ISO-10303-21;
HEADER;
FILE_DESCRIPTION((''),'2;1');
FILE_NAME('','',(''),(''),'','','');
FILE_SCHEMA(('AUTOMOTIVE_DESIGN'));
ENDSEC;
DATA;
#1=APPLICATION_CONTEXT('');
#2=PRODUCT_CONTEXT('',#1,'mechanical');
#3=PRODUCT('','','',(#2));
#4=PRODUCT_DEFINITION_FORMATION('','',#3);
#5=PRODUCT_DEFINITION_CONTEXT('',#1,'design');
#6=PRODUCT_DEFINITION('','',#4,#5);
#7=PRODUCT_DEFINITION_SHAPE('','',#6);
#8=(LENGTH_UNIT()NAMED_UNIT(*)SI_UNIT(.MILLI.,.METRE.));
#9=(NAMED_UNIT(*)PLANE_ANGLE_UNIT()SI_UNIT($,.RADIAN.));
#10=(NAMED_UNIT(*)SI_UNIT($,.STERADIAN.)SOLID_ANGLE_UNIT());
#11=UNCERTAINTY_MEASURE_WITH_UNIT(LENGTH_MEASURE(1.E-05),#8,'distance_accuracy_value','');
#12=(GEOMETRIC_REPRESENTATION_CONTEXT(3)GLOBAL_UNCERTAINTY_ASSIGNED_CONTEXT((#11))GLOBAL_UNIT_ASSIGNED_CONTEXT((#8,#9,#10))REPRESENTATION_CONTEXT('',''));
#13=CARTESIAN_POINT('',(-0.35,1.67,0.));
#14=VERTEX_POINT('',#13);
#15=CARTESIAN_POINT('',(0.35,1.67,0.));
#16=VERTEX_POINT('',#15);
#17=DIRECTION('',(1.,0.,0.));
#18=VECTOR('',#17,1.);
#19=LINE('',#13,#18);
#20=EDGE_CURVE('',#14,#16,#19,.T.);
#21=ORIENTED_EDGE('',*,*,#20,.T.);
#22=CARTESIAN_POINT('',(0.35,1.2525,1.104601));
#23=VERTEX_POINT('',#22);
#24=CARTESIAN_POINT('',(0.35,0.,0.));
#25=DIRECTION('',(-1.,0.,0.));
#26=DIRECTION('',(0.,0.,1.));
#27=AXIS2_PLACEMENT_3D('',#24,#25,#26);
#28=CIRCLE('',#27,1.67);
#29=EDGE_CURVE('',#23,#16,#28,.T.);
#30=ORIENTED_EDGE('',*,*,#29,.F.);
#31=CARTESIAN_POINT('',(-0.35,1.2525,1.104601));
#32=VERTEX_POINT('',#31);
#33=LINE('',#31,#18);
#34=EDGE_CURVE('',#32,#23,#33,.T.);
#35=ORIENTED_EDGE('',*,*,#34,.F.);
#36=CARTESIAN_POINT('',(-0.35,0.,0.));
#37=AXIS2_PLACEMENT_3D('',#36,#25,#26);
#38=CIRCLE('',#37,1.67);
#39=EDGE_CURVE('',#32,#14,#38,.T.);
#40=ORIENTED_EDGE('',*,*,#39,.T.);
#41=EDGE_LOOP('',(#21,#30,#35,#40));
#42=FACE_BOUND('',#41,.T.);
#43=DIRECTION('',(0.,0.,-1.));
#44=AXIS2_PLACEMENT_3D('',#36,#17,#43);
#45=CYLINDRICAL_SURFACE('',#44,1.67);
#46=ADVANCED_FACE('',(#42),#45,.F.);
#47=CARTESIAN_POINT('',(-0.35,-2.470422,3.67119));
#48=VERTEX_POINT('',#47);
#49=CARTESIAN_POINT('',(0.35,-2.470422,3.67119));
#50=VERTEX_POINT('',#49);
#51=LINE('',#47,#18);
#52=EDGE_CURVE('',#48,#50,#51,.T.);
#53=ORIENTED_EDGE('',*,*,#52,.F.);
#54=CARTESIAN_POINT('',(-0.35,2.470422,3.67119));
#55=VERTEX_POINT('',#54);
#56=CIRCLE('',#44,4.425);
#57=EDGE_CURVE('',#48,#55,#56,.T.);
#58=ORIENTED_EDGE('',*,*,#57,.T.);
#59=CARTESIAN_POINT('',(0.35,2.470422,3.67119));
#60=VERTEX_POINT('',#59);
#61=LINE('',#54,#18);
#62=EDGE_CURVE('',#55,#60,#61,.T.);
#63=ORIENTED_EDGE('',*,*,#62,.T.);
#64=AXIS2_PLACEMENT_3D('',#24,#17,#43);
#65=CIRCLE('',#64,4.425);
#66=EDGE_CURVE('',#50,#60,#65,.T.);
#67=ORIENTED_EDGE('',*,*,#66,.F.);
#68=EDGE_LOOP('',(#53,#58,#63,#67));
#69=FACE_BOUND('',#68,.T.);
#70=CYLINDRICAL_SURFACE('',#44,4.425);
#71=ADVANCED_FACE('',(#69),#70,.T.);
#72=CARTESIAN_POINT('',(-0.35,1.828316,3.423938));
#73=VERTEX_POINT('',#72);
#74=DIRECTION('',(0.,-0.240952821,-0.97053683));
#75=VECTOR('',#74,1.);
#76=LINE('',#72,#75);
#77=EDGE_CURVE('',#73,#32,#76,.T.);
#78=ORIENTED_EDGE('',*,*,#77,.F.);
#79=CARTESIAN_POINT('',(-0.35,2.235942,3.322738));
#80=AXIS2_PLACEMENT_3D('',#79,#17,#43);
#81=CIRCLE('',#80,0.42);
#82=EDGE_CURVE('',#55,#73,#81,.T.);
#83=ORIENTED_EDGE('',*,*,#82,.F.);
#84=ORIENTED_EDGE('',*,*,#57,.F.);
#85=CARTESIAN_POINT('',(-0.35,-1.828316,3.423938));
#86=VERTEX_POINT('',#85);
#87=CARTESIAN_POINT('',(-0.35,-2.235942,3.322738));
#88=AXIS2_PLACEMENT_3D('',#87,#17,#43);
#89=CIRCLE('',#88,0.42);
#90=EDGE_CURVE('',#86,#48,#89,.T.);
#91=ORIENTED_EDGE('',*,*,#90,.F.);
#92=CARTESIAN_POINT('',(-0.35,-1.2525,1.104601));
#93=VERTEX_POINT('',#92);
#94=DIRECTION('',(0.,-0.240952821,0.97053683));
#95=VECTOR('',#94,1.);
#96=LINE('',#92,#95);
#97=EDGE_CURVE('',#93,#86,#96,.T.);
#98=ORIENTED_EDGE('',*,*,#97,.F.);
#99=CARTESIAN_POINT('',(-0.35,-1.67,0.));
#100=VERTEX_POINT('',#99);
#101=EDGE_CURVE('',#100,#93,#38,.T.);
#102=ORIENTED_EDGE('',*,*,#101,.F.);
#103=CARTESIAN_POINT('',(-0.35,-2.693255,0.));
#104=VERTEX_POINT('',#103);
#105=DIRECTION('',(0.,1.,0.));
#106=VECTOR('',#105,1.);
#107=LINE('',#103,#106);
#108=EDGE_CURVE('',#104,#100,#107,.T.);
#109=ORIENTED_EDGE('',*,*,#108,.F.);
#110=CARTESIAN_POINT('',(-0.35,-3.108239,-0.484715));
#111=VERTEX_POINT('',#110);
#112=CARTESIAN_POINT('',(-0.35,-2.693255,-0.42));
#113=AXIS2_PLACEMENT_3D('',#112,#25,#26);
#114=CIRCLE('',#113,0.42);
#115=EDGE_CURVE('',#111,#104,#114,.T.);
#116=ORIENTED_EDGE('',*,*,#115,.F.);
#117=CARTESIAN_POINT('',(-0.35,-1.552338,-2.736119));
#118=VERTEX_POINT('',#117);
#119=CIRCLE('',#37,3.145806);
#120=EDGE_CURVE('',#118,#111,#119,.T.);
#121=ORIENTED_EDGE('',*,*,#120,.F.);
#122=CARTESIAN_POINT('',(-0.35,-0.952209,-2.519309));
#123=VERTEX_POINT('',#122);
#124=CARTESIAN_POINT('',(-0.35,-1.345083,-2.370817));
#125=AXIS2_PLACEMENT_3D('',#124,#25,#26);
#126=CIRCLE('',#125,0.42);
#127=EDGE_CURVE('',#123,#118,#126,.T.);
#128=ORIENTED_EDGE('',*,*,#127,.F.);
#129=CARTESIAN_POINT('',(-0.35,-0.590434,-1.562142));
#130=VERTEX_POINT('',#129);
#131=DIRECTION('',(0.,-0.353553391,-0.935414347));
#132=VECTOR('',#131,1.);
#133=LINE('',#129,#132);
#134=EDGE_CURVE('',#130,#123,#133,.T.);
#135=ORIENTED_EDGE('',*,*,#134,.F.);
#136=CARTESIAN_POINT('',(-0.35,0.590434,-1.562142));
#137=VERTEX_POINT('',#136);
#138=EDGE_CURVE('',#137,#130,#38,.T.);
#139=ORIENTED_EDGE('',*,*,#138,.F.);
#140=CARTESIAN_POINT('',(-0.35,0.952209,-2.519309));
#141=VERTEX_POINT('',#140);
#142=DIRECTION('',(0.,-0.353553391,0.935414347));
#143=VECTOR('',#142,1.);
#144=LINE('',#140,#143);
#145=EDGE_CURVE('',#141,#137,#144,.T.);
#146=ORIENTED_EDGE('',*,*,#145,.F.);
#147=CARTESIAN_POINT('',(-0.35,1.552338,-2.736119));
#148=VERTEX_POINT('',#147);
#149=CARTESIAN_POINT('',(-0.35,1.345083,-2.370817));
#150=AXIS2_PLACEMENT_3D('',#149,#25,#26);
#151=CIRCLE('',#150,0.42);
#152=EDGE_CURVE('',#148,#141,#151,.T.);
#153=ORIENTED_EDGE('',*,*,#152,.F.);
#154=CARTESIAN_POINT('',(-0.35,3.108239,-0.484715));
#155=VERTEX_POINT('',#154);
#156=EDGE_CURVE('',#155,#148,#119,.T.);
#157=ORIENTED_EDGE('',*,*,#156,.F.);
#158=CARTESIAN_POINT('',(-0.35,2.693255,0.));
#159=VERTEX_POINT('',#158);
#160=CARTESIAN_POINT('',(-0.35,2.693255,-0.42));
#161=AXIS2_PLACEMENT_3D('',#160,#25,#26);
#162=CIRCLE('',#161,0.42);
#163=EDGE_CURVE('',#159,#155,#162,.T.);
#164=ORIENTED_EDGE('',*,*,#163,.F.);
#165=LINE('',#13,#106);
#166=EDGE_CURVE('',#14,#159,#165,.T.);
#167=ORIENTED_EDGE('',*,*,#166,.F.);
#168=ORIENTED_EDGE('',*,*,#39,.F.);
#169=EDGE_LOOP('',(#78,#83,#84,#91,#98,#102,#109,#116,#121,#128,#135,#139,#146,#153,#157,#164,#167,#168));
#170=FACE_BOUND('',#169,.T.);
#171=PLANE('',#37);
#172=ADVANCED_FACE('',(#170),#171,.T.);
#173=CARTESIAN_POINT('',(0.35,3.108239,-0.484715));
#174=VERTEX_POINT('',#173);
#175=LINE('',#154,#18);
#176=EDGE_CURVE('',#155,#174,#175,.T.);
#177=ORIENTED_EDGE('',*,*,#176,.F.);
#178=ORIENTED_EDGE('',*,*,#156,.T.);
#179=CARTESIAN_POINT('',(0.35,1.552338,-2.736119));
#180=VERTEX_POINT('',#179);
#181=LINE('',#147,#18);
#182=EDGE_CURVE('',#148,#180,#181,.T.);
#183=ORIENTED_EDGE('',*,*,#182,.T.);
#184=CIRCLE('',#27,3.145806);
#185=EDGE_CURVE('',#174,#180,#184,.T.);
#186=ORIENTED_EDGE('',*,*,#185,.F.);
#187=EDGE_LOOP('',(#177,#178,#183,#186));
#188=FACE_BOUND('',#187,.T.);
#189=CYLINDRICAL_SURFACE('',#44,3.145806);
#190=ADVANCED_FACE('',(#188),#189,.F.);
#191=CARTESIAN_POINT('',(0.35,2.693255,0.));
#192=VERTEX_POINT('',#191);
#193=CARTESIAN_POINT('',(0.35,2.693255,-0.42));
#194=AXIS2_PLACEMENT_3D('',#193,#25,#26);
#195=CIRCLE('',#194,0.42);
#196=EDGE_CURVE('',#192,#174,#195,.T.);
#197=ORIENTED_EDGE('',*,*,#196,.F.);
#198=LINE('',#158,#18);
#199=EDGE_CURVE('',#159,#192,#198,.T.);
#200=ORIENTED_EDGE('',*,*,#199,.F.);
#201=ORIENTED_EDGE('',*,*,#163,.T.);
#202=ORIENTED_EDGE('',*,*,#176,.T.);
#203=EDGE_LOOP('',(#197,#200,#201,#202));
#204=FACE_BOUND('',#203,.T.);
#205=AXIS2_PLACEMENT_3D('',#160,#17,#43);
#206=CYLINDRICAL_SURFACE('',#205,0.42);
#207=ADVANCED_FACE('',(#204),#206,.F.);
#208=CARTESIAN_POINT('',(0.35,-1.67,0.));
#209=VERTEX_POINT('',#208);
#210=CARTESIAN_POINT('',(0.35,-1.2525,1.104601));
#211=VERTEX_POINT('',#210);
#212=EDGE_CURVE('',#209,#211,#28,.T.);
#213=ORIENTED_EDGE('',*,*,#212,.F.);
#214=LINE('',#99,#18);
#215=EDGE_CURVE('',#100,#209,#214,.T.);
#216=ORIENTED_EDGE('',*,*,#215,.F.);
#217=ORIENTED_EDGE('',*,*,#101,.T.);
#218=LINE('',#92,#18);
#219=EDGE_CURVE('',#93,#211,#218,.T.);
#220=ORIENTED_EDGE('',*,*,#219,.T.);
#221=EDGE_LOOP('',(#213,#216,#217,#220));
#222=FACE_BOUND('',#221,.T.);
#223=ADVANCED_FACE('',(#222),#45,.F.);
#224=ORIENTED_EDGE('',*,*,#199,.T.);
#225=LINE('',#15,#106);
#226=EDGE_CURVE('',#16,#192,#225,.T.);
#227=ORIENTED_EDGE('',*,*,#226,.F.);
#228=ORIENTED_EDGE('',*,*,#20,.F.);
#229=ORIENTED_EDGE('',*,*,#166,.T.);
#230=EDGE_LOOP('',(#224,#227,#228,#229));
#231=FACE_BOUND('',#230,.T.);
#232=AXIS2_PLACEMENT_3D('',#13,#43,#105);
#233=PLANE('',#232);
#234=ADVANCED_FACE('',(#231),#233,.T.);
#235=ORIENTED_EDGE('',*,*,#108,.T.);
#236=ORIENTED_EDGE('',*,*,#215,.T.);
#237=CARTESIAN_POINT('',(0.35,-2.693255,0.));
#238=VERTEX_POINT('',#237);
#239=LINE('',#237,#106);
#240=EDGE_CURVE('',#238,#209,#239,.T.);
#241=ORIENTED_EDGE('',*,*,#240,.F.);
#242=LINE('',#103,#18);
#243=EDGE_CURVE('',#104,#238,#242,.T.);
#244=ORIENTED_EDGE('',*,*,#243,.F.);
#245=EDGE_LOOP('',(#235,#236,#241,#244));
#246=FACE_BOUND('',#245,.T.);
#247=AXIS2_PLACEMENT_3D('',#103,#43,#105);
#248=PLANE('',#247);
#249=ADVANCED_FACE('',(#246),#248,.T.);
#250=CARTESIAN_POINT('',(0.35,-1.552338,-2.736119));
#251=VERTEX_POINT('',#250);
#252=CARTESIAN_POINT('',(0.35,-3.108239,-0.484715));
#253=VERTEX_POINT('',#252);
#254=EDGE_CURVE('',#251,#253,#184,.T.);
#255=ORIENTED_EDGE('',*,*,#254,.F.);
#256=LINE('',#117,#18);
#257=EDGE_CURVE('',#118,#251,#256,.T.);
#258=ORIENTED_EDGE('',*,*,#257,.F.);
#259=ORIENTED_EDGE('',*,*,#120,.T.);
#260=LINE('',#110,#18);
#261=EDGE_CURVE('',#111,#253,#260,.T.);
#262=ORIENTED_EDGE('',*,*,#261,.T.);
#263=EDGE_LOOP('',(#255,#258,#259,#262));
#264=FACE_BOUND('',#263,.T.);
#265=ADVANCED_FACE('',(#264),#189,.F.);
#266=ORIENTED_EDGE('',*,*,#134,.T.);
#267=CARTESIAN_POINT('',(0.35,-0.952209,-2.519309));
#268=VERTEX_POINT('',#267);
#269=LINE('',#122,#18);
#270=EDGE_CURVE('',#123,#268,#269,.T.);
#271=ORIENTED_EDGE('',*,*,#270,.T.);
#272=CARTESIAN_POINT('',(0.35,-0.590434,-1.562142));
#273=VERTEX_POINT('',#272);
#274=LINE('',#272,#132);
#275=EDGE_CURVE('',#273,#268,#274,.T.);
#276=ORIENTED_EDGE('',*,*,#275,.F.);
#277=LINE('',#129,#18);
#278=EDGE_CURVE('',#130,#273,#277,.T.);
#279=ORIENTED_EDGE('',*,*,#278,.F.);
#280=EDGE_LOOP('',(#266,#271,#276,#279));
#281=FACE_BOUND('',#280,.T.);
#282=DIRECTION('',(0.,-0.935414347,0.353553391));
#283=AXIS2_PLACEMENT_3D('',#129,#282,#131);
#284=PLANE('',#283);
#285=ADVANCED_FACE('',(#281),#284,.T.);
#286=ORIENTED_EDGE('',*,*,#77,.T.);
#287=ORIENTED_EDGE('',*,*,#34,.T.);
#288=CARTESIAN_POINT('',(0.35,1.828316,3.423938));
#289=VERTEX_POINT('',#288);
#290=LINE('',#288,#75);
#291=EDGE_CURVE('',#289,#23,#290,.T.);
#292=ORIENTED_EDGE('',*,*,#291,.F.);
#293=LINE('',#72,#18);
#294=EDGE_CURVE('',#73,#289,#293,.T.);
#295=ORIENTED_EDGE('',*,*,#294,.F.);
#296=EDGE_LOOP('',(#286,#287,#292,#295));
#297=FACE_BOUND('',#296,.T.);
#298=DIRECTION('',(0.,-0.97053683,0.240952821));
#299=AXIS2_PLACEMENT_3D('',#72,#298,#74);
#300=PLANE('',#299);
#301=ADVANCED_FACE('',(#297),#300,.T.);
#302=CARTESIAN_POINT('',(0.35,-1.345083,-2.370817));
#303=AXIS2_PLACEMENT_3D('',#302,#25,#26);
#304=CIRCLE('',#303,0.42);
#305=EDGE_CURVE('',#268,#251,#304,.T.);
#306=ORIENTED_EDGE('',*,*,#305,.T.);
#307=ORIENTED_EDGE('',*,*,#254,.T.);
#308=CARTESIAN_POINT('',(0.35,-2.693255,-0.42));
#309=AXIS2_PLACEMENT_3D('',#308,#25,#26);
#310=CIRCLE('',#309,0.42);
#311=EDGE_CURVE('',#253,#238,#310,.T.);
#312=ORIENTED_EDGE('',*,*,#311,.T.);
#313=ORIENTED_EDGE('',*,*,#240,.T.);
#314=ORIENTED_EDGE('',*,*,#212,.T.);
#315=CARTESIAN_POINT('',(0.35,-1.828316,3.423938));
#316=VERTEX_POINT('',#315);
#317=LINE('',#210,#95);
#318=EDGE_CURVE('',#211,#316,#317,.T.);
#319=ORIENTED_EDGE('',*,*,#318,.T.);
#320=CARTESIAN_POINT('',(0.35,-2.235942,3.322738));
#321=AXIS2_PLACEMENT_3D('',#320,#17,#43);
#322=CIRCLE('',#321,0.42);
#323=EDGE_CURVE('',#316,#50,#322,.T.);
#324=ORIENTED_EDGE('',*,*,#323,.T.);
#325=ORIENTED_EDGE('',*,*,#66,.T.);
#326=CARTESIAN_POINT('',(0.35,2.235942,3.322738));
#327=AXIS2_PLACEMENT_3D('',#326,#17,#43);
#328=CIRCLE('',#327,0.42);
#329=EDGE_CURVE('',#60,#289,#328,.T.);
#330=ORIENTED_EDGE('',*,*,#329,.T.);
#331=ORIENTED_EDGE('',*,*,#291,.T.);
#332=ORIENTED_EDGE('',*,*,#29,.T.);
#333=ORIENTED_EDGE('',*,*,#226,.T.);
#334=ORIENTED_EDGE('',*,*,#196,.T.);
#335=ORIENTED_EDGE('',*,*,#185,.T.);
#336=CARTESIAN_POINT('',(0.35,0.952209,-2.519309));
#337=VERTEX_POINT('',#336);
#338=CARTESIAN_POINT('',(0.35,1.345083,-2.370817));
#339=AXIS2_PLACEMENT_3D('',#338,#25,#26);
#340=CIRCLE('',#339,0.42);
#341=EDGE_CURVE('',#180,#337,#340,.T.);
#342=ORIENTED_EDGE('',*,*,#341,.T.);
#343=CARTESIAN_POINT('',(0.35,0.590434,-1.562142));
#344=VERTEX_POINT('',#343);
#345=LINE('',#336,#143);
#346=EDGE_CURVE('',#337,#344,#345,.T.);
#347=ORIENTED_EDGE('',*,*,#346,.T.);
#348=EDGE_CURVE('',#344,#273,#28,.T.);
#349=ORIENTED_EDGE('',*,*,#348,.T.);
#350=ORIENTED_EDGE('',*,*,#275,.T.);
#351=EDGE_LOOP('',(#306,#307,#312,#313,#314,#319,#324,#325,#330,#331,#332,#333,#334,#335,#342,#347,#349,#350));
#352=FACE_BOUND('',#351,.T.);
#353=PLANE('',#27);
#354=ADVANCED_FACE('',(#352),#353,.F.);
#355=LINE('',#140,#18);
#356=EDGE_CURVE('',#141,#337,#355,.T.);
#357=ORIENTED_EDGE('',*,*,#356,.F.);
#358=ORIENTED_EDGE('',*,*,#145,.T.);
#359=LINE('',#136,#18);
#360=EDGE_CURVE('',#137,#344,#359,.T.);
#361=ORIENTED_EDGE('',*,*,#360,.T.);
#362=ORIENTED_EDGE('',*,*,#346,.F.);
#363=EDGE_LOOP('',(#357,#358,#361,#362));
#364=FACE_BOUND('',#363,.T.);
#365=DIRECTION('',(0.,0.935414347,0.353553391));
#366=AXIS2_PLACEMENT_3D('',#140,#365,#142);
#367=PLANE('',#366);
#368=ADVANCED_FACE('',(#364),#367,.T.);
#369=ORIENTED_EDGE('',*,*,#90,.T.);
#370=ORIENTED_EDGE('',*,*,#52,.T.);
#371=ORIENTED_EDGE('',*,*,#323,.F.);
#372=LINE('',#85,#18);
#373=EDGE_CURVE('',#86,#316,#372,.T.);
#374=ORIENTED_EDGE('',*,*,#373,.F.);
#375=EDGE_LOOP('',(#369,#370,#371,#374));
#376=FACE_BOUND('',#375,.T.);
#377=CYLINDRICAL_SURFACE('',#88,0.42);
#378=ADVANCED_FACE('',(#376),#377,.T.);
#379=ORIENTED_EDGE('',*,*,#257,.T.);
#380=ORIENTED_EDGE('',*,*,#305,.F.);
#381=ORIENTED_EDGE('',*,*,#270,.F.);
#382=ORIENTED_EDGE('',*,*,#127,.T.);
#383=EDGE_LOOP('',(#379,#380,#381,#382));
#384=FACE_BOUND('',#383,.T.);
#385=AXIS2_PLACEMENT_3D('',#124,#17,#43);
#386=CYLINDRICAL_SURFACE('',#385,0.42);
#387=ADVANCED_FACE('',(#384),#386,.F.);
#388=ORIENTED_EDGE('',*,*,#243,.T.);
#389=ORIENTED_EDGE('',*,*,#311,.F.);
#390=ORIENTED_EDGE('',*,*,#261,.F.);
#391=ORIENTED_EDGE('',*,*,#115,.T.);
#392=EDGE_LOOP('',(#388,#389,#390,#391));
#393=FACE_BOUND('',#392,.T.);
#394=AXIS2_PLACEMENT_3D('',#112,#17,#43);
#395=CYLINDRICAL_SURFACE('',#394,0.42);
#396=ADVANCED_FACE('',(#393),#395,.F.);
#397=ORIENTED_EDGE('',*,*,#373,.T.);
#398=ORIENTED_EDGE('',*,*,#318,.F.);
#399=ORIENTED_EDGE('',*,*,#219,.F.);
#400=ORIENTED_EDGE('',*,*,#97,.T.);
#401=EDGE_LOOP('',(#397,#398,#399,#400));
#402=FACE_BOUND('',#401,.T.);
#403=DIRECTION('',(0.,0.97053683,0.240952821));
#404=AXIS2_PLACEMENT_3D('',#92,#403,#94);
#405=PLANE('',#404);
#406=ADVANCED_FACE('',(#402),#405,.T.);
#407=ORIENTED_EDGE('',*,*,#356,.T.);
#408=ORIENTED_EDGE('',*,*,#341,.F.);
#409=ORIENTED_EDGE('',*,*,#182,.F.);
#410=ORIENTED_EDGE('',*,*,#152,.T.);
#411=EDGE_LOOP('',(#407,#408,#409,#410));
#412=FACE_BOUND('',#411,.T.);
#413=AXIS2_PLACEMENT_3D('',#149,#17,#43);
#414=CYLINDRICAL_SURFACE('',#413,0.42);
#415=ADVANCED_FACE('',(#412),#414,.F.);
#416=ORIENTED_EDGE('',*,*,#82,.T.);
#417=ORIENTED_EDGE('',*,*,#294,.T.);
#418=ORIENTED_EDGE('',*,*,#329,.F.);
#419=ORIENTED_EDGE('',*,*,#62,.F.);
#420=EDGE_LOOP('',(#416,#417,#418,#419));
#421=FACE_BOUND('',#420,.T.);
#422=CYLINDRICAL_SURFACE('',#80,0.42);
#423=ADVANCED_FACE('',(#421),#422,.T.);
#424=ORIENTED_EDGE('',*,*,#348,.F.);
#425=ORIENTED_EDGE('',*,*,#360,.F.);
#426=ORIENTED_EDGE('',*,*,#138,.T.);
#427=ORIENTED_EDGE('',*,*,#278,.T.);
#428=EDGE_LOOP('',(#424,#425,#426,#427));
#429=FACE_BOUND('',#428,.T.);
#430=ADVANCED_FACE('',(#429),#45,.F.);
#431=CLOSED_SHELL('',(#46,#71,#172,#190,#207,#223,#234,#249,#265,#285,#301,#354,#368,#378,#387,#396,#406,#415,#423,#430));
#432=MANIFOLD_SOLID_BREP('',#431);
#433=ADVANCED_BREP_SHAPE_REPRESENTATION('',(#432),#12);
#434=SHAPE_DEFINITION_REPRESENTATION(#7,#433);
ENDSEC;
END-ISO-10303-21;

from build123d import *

# Parameters (mm, degrees)
RESSALTO_EXTRUS_O1_DEPTH = 0.7


with BuildPart() as part:
    # Esboço1 → Ressalto-extrusão1 (new body)
    with BuildSketch(Plane(origin=(0.35, 0, 0), x_dir=(0, 0, -1), z_dir=(1, 0, 0))):
        with BuildLine():
            Line((-1.104601172, -1.2525), (-3.423938468, -1.828316235))
            ThreePointArc((-3.423938468, -1.828316235), (-3.714684542, -2.08501745), (-3.671190238, -2.470422481))
            ThreePointArc((-3.671190238, -2.470422481), (4.425, 0), (-3.671190238, 2.470422481))
            ThreePointArc((-3.671190238, 2.470422481), (-3.714684542, 2.08501745), (-3.423938468, 1.828316235))
            Line((-3.423938468, 1.828316235), (-1.104601172, 1.2525))
            ThreePointArc((-1.104601172, 1.2525), (-0.590434162, 1.562141959), (0, 1.67))
            Line((0, 1.67), (0, 2.693254687))
            ThreePointArc((0, 2.693254687), (0.146851884, 3.012300306), (0.484714793, 3.108239019))
            ThreePointArc((0.484714793, 3.108239019), (1.788476887, 2.587942939), (2.736118813, 1.552337615))
            ThreePointArc((2.736118813, 1.552337615), (2.765828941, 1.202376345), (2.519309074, 0.952209327))
            Line((2.519309074, 0.952209327), (1.562141959, 0.590434162))
            ThreePointArc((1.562141959, 0.590434162), (1.67, 0), (1.562141959, -0.590434162))
            Line((1.562141959, -0.590434162), (2.519309074, -0.952209327))
            ThreePointArc((2.519309074, -0.952209327), (2.765828941, -1.202376345), (2.736118813, -1.552337615))
            ThreePointArc((2.736118813, -1.552337615), (1.788476887, -2.587942939), (0.484714793, -3.108239019))
            ThreePointArc((0.484714793, -3.108239019), (0.146851884, -3.012300306), (0, -2.693254687))
            Line((0, -2.693254687), (0, -1.67))
            ThreePointArc((0, -1.67), (-0.590434162, -1.562141959), (-1.104601172, -1.2525))
        make_face()
    extrude(amount=-RESSALTO_EXTRUS_O1_DEPTH)


solid = part.part
